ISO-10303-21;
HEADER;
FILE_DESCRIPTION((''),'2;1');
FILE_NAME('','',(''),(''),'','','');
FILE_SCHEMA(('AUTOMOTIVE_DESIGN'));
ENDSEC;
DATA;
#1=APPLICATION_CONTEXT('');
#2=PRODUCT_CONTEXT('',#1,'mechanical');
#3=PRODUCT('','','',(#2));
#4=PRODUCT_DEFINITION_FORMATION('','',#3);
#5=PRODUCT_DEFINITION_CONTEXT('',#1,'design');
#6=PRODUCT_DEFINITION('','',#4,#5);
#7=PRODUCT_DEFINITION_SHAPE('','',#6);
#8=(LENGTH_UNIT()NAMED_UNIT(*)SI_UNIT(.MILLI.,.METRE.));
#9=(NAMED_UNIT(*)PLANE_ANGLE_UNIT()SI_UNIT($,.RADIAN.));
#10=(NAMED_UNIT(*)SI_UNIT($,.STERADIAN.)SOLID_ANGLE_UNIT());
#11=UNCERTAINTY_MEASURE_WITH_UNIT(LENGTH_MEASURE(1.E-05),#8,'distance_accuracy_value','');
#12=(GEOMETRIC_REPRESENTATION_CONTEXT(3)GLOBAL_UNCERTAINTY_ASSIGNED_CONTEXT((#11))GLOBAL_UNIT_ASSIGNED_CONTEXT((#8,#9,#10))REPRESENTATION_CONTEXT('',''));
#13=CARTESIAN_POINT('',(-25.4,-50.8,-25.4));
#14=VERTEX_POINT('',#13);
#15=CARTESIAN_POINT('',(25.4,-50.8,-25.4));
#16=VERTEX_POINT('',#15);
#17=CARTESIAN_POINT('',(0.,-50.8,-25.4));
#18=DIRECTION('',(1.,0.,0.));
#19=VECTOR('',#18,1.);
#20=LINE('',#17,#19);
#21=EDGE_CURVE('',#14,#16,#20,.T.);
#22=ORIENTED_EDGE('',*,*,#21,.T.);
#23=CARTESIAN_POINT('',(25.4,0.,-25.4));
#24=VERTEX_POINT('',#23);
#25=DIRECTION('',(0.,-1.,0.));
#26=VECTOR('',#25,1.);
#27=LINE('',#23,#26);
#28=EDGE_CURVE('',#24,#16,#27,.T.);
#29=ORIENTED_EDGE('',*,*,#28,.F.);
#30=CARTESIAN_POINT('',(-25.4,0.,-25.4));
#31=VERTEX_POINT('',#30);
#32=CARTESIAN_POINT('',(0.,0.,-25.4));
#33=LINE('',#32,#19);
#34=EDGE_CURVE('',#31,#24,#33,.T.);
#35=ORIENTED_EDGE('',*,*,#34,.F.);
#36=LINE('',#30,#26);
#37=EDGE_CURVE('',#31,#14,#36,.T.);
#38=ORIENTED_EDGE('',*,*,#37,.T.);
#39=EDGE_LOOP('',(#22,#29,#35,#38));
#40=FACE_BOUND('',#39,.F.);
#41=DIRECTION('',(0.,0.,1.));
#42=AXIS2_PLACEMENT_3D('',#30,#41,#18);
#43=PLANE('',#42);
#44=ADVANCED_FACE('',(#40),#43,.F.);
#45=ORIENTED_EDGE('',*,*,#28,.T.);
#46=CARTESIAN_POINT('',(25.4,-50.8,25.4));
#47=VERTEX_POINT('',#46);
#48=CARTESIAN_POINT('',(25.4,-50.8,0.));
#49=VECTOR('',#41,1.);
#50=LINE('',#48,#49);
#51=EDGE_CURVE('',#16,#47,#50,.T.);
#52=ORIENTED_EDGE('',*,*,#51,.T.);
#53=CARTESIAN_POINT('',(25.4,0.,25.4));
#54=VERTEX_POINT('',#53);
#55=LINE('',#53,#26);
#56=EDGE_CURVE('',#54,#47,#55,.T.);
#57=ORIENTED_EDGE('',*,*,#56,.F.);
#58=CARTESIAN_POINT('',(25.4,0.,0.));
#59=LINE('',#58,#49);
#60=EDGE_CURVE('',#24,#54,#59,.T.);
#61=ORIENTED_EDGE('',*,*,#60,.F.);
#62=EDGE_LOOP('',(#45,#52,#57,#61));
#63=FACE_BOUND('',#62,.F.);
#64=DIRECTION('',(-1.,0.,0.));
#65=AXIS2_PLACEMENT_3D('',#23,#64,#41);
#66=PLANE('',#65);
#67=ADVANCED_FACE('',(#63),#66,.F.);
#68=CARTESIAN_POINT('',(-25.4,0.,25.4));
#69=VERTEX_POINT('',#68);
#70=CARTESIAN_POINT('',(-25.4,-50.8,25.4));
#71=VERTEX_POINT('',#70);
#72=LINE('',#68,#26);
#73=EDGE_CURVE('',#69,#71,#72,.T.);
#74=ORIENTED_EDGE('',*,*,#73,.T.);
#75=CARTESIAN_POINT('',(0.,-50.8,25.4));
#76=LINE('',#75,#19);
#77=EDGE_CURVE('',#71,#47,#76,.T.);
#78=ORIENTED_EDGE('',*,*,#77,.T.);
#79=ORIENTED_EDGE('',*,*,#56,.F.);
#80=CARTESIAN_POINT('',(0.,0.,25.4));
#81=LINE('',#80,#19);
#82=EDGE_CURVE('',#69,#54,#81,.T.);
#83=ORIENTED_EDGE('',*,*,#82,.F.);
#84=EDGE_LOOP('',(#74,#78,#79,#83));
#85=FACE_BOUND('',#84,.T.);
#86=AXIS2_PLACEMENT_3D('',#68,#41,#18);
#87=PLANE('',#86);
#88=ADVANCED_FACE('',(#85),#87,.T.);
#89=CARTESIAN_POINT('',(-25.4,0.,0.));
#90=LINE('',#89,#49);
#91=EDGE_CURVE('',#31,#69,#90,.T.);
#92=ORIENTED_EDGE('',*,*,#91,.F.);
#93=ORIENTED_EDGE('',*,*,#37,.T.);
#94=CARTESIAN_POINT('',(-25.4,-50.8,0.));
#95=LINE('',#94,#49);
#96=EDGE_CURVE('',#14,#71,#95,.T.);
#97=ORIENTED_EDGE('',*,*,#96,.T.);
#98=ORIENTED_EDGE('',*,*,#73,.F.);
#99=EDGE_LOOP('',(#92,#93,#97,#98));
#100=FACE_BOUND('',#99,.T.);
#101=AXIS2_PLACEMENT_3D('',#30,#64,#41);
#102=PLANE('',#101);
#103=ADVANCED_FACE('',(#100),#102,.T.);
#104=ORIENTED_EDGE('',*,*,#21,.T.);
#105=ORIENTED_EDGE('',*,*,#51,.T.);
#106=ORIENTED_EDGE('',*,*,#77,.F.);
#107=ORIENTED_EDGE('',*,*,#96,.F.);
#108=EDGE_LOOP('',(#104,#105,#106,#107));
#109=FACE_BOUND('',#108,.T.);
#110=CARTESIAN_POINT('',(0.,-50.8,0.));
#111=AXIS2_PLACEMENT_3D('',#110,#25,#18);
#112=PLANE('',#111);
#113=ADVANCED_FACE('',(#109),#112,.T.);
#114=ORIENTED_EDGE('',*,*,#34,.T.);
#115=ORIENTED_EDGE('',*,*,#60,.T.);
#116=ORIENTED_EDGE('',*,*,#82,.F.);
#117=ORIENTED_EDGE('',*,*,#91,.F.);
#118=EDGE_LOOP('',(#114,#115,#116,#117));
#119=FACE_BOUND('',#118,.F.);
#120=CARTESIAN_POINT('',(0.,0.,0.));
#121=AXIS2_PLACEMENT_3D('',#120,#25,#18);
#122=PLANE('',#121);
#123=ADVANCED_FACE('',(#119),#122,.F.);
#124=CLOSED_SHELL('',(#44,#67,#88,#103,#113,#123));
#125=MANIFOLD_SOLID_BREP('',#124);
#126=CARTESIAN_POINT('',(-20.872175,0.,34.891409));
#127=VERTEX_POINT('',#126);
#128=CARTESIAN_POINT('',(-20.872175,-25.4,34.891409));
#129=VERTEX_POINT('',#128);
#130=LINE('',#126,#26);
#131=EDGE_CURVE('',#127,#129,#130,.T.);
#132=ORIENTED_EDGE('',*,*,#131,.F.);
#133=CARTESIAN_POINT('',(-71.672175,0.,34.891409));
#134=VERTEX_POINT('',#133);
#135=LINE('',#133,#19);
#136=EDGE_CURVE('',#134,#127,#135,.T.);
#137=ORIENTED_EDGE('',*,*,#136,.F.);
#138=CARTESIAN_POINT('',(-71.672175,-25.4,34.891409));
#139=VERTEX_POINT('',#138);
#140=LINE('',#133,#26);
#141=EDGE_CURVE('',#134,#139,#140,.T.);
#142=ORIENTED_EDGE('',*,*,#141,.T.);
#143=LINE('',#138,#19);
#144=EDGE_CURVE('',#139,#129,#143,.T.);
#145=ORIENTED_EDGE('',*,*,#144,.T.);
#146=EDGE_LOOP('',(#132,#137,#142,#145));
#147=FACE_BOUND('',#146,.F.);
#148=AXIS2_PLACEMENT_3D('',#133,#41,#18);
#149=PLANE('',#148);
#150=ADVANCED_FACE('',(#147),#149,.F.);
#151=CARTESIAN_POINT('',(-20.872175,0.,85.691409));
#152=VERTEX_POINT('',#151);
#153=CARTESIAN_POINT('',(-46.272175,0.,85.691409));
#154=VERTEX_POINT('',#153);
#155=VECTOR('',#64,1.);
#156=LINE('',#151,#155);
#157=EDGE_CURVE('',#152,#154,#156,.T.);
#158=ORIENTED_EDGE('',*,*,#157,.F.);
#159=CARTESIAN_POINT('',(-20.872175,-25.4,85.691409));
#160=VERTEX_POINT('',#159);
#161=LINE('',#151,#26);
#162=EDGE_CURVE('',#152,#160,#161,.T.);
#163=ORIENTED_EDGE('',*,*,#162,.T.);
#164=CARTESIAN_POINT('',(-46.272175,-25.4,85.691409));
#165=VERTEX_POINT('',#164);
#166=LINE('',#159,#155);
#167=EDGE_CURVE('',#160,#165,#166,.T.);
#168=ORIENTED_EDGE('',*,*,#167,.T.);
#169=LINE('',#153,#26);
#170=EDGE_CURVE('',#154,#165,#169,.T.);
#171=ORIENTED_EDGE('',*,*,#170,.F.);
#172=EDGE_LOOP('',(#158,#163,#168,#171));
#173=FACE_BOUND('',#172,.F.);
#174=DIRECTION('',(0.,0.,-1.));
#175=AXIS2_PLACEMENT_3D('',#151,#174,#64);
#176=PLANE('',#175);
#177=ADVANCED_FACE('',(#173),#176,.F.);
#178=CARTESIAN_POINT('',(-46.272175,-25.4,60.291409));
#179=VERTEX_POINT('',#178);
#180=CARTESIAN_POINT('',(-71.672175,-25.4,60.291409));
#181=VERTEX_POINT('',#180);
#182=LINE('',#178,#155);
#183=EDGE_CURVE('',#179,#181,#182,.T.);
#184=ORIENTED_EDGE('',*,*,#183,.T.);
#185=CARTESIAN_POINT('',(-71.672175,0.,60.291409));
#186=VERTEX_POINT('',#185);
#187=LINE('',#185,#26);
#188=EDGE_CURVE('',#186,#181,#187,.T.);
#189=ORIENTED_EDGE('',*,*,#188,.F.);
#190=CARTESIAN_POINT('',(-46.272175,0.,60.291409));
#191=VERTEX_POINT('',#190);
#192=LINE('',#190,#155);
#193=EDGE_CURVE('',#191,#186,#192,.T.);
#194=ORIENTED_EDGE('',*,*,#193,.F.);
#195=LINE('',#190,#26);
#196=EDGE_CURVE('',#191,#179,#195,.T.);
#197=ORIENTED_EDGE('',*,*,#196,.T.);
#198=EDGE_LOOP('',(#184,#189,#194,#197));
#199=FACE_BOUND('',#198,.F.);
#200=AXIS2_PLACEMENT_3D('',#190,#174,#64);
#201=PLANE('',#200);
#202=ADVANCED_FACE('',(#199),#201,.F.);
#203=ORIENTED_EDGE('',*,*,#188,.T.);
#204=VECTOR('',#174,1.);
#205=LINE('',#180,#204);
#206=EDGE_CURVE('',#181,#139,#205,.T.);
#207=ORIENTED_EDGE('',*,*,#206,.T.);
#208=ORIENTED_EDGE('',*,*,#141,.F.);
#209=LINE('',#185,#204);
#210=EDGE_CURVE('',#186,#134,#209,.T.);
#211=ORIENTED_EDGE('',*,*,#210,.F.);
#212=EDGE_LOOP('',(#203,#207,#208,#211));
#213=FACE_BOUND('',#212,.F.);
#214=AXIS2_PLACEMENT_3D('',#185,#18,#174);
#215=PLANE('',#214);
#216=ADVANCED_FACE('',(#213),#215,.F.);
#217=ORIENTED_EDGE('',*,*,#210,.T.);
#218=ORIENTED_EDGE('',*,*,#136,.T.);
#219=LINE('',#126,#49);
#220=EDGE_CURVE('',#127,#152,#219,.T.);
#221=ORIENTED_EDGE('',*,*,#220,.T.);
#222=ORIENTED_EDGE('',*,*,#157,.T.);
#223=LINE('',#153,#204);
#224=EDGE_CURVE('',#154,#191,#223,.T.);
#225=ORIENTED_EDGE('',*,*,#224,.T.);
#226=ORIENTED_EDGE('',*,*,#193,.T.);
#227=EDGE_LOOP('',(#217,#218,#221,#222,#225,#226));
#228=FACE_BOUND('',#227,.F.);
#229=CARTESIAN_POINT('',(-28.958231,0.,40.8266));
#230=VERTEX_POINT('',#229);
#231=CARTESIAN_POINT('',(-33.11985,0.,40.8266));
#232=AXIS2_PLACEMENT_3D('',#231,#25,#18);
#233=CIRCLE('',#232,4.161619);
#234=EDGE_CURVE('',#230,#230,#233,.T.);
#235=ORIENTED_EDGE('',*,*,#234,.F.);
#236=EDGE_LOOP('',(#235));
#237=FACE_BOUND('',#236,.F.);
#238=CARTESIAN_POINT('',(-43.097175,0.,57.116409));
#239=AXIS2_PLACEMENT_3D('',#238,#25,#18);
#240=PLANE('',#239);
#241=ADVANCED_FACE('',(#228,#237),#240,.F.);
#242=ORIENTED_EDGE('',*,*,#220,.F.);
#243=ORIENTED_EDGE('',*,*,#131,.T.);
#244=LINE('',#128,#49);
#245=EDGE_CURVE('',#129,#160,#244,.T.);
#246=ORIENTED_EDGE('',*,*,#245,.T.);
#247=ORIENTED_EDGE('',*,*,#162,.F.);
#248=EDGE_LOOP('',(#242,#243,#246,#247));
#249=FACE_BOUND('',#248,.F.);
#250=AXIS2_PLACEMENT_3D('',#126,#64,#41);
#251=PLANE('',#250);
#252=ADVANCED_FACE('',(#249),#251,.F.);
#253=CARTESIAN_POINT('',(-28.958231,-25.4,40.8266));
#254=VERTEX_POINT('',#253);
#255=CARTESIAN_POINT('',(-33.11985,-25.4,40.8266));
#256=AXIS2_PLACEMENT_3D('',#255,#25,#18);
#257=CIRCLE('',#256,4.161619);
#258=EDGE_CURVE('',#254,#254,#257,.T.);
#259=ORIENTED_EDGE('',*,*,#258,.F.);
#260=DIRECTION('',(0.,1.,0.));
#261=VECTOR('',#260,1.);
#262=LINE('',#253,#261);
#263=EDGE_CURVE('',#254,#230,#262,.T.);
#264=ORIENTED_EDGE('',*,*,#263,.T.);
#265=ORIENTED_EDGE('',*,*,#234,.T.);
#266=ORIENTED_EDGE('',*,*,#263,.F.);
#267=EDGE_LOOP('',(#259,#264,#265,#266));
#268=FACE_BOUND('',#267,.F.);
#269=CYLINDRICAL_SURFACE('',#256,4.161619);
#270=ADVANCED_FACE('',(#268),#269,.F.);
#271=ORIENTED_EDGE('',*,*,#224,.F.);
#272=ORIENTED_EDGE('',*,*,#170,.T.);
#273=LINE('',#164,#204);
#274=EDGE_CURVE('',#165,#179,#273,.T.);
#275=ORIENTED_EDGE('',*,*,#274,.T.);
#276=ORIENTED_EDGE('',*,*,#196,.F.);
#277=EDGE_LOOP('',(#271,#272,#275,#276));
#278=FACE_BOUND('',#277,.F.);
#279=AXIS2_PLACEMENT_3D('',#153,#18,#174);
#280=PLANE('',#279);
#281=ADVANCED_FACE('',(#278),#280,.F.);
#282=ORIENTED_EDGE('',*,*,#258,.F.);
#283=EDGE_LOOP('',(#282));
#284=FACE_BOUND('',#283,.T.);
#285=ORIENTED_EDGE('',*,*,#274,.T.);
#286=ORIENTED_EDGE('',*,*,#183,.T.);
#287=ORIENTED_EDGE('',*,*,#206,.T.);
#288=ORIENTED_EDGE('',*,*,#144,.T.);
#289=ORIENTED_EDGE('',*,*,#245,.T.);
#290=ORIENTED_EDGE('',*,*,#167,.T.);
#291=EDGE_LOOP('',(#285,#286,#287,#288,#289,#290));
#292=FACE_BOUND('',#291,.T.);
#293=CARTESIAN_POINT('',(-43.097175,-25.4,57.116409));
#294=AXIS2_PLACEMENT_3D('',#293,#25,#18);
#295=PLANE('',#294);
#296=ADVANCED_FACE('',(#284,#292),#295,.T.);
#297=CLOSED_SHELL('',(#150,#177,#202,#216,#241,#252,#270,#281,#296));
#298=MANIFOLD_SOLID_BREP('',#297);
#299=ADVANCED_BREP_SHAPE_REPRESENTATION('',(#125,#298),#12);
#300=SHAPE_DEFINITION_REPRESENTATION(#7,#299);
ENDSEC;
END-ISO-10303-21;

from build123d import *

# Parameters (mm, degrees)
F0_W     = 50.8
F0_H     = 50.8
F1_DEPTH = 50.8
F3_DEPTH = 25.4
F4_R     = 4.161619
F5_DEPTH = 75.946


with BuildPart() as f1:
    # F0 (on Front) → F1 (new body)
    with BuildSketch(Plane.XZ):
        Rectangle(F0_W, F0_H)
    extrude(amount=F1_DEPTH)


with BuildPart() as f3:
    # F2 (on Front) → F3 (new body)
    with BuildSketch(Plane.XZ):
        Polygon((-46.272175, 60.291409), (-71.672175, 60.291409), (-71.672175, 34.891409), (-20.872175, 34.891409), (-20.872175, 85.691409), (-46.272175, 85.691409), align=None)
    extrude(amount=F3_DEPTH)

    # F4 (on face) → F5 (cut)
    with BuildSketch(Plane.XZ.offset(25.4)):
        with Locations((-33.11985, 40.8266)):
            Circle(F4_R)
    extrude(amount=-F5_DEPTH, mode=Mode.SUBTRACT)


solid = Compound([f1.part, f3.part])
